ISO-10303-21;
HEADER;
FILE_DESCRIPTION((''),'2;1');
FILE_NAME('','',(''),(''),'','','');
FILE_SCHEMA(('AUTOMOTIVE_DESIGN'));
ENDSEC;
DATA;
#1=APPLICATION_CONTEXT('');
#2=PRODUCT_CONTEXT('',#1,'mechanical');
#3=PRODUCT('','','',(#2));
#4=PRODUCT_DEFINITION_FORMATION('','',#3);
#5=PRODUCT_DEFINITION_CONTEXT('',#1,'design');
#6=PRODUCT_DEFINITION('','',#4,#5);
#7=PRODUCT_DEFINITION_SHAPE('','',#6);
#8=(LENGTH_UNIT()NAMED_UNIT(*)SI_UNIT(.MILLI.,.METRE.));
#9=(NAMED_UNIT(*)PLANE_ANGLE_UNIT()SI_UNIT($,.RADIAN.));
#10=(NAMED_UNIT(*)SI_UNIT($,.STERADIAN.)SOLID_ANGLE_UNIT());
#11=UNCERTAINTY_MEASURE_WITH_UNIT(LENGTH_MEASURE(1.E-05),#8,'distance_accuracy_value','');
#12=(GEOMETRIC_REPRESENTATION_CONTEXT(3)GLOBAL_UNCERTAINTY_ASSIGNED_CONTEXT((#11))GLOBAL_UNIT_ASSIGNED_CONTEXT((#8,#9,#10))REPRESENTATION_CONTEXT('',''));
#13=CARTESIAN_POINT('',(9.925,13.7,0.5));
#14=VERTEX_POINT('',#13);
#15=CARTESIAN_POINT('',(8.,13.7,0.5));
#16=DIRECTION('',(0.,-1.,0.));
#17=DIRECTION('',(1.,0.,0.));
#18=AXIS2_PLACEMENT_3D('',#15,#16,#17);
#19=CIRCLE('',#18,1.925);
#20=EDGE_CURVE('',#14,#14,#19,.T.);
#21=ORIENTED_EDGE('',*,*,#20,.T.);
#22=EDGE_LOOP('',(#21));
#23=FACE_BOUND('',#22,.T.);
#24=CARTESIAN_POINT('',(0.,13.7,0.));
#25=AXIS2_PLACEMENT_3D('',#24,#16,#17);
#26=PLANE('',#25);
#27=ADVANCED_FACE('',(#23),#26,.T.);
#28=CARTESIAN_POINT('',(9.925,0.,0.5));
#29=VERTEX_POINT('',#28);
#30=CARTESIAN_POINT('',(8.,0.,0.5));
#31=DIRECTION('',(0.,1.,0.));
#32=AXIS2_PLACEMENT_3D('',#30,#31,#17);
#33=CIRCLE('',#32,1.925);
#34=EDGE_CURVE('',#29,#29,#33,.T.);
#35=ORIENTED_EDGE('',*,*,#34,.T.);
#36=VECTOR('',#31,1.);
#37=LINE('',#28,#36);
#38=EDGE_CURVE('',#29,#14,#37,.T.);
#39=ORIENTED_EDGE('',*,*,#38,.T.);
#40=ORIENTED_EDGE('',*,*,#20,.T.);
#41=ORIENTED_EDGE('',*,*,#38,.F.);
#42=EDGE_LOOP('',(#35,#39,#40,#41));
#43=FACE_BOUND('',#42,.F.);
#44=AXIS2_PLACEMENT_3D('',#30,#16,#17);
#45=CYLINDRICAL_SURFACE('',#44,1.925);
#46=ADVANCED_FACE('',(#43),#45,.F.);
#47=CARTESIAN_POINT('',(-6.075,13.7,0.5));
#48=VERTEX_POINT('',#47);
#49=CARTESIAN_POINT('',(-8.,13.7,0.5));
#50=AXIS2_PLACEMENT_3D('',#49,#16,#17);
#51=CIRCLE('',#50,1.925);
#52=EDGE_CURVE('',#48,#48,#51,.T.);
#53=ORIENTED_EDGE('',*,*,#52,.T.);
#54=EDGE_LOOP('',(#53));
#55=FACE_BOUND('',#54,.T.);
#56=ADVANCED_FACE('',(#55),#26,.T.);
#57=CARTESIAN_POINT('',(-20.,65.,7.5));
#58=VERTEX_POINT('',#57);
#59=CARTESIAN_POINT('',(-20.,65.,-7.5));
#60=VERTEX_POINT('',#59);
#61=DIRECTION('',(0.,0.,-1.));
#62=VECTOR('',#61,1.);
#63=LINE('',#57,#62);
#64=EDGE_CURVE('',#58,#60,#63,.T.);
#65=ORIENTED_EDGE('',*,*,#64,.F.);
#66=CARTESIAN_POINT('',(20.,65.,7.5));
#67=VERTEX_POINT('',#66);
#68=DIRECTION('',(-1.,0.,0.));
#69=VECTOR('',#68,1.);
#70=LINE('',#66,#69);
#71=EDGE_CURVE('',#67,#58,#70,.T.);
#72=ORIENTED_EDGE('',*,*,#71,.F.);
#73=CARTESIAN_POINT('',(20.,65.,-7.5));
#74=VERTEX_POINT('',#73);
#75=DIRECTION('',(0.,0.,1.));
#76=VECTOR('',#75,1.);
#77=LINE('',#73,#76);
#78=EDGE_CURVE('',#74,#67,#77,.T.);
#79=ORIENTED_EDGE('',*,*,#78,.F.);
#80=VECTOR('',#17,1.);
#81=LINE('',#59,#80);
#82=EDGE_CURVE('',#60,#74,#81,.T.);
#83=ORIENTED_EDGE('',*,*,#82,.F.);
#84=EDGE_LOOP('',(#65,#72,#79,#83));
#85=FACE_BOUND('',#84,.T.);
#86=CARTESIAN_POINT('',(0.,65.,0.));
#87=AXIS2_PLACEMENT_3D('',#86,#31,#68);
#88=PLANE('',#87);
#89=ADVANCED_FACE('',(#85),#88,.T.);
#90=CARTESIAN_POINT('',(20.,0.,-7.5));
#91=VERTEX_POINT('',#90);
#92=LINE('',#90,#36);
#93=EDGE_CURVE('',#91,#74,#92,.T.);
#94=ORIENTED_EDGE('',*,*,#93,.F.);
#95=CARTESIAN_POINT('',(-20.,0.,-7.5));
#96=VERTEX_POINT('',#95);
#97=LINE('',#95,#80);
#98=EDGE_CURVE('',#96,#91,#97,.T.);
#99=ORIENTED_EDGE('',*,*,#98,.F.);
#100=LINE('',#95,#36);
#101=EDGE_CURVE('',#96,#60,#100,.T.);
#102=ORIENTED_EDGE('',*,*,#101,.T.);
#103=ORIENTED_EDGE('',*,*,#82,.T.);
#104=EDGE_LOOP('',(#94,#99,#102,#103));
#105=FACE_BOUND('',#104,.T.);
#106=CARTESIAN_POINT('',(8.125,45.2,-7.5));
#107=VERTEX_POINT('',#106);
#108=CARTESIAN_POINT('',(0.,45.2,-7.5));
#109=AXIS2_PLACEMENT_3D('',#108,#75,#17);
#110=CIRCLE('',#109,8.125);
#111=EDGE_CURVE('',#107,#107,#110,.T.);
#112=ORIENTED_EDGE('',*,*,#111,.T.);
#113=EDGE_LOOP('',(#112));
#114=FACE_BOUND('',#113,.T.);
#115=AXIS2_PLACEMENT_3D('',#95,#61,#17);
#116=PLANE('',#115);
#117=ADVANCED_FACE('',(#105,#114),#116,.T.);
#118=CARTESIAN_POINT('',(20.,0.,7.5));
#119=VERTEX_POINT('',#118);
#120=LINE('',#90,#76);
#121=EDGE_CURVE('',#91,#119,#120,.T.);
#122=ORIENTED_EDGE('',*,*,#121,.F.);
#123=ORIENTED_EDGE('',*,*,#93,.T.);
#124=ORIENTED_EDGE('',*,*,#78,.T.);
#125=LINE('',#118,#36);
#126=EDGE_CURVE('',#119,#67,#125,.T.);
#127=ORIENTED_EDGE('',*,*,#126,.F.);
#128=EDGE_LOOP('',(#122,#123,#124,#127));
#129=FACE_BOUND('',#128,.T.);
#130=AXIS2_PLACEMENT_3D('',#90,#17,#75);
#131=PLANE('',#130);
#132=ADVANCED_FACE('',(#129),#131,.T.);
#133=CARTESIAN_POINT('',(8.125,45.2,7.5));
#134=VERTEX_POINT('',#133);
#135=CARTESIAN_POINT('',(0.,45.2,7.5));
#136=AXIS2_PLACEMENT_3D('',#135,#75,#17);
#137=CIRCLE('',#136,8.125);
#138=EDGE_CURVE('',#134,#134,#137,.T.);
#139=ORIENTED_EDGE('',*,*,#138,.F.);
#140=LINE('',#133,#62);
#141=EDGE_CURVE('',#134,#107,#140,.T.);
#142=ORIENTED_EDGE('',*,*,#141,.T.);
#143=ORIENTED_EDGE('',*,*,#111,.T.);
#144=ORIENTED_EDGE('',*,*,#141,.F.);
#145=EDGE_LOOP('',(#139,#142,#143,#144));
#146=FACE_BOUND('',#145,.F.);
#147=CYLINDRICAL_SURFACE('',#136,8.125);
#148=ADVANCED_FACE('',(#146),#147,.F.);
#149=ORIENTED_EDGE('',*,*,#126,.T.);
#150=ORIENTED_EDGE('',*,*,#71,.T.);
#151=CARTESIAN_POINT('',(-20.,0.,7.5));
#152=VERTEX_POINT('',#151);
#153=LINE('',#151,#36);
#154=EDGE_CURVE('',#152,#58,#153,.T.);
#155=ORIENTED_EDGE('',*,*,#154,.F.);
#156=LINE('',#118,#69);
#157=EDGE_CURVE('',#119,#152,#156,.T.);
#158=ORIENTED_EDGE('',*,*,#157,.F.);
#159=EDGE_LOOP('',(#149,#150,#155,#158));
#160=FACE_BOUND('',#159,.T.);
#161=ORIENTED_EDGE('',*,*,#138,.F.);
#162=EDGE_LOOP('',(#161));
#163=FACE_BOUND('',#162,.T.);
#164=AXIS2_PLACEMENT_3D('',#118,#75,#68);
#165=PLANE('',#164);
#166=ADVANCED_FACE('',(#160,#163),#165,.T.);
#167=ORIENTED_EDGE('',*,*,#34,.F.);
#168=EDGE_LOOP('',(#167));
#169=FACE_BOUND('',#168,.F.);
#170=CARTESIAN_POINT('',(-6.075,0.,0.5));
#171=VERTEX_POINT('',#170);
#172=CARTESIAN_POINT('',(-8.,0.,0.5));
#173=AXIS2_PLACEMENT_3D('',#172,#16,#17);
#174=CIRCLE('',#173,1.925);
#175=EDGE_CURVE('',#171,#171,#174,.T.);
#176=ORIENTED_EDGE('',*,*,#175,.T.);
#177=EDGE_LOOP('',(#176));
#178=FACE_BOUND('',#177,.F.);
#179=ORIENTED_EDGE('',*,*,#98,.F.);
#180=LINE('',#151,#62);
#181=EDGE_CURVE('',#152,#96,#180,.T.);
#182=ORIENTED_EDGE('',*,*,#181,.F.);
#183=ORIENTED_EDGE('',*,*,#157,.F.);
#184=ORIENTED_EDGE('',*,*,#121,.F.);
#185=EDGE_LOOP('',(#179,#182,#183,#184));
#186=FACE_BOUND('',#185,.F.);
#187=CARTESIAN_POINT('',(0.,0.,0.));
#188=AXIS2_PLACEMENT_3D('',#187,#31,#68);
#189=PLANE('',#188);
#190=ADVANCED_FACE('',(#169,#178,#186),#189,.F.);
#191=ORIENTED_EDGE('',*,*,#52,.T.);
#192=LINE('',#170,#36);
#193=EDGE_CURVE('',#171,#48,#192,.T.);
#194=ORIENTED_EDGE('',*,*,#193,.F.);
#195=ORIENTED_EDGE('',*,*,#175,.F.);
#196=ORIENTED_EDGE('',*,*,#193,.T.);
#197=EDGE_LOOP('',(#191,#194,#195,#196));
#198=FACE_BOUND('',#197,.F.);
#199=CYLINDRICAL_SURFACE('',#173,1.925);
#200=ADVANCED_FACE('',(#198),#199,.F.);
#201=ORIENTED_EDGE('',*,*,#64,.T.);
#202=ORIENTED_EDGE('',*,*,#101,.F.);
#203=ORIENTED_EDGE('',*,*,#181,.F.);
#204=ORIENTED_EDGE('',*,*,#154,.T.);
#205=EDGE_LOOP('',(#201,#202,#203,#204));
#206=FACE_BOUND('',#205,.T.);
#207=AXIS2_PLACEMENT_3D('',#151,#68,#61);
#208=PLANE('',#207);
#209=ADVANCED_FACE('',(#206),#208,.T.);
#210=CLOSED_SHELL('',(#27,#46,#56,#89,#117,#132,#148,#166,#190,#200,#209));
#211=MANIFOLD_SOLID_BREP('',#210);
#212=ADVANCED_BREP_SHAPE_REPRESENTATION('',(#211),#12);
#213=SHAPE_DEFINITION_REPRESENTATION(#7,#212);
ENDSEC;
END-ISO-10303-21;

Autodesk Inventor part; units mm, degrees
ref_plane "YZ Plane" through (0, 0, 0) normal (1, 0, 0) x (0, 1, 0)
ref_plane "XZ Plane" through (0, 0, 0) normal (0, 1, 0) x (-1, 0, 0)
ref_plane "XY Plane" through (0, 0, 0) normal (0, 0, 1) x (1, 0, 0)
sketch "Sketch1" plane through (0, 0, 0) normal (0, 1, 0) x (-1, 0, 0)
  line L0 (20, -7.5) -> (-20, -7.5)
  line L1 (-20, -7.5) -> (-20, 7.5)
  line L2 (-20, 7.5) -> (20, 7.5)
  line L3 (20, 7.5) -> (20, -7.5)
  point P0 (0, 0)
  dimension "d0" = 40
  dimension "d1" = 15
  dimension "d2" = 7.5
  dimension "d3" = 20
extrude "Extrusion1" add sketch "Sketch1" along normal blind 65
sketch "Sketch2" plane through (0, 0, 0) normal (0, -1, 0) x (1, 0, 0)
  line L0 (0, 0) -> (0, 0.5)
  line L1 (0, 0.5) -> (8, 0.5)
  line L2 (0, 0.5) -> (-8, 0.5)
  circle A0 centre (-8, 0.5) radius 1.925
  circle A1 centre (8, 0.5) radius 1.925
  dimension "d21" = 0.5
  dimension "d22" = 8
  dimension "d23" = 8
  dimension "d24" = 3.85
  dimension "d25" = 3.85
extrude "Extrusion2" cut sketch "Sketch2" against normal blind 13.7
sketch "Sketch3" plane through (-20, 0, 7.5) normal (0, 0, 1) x (1, 0, 0)
  line L0 (20, 0) -> (20, 45.2)
  circle A0 centre (20, 45.2) radius 8.125
  dimension "d12" = 45.2
  dimension "d13" = 16.25
extrude "Extrusion3" cut sketch "Sketch3" against normal blind 20
properties part number "OmniSupportFront"
